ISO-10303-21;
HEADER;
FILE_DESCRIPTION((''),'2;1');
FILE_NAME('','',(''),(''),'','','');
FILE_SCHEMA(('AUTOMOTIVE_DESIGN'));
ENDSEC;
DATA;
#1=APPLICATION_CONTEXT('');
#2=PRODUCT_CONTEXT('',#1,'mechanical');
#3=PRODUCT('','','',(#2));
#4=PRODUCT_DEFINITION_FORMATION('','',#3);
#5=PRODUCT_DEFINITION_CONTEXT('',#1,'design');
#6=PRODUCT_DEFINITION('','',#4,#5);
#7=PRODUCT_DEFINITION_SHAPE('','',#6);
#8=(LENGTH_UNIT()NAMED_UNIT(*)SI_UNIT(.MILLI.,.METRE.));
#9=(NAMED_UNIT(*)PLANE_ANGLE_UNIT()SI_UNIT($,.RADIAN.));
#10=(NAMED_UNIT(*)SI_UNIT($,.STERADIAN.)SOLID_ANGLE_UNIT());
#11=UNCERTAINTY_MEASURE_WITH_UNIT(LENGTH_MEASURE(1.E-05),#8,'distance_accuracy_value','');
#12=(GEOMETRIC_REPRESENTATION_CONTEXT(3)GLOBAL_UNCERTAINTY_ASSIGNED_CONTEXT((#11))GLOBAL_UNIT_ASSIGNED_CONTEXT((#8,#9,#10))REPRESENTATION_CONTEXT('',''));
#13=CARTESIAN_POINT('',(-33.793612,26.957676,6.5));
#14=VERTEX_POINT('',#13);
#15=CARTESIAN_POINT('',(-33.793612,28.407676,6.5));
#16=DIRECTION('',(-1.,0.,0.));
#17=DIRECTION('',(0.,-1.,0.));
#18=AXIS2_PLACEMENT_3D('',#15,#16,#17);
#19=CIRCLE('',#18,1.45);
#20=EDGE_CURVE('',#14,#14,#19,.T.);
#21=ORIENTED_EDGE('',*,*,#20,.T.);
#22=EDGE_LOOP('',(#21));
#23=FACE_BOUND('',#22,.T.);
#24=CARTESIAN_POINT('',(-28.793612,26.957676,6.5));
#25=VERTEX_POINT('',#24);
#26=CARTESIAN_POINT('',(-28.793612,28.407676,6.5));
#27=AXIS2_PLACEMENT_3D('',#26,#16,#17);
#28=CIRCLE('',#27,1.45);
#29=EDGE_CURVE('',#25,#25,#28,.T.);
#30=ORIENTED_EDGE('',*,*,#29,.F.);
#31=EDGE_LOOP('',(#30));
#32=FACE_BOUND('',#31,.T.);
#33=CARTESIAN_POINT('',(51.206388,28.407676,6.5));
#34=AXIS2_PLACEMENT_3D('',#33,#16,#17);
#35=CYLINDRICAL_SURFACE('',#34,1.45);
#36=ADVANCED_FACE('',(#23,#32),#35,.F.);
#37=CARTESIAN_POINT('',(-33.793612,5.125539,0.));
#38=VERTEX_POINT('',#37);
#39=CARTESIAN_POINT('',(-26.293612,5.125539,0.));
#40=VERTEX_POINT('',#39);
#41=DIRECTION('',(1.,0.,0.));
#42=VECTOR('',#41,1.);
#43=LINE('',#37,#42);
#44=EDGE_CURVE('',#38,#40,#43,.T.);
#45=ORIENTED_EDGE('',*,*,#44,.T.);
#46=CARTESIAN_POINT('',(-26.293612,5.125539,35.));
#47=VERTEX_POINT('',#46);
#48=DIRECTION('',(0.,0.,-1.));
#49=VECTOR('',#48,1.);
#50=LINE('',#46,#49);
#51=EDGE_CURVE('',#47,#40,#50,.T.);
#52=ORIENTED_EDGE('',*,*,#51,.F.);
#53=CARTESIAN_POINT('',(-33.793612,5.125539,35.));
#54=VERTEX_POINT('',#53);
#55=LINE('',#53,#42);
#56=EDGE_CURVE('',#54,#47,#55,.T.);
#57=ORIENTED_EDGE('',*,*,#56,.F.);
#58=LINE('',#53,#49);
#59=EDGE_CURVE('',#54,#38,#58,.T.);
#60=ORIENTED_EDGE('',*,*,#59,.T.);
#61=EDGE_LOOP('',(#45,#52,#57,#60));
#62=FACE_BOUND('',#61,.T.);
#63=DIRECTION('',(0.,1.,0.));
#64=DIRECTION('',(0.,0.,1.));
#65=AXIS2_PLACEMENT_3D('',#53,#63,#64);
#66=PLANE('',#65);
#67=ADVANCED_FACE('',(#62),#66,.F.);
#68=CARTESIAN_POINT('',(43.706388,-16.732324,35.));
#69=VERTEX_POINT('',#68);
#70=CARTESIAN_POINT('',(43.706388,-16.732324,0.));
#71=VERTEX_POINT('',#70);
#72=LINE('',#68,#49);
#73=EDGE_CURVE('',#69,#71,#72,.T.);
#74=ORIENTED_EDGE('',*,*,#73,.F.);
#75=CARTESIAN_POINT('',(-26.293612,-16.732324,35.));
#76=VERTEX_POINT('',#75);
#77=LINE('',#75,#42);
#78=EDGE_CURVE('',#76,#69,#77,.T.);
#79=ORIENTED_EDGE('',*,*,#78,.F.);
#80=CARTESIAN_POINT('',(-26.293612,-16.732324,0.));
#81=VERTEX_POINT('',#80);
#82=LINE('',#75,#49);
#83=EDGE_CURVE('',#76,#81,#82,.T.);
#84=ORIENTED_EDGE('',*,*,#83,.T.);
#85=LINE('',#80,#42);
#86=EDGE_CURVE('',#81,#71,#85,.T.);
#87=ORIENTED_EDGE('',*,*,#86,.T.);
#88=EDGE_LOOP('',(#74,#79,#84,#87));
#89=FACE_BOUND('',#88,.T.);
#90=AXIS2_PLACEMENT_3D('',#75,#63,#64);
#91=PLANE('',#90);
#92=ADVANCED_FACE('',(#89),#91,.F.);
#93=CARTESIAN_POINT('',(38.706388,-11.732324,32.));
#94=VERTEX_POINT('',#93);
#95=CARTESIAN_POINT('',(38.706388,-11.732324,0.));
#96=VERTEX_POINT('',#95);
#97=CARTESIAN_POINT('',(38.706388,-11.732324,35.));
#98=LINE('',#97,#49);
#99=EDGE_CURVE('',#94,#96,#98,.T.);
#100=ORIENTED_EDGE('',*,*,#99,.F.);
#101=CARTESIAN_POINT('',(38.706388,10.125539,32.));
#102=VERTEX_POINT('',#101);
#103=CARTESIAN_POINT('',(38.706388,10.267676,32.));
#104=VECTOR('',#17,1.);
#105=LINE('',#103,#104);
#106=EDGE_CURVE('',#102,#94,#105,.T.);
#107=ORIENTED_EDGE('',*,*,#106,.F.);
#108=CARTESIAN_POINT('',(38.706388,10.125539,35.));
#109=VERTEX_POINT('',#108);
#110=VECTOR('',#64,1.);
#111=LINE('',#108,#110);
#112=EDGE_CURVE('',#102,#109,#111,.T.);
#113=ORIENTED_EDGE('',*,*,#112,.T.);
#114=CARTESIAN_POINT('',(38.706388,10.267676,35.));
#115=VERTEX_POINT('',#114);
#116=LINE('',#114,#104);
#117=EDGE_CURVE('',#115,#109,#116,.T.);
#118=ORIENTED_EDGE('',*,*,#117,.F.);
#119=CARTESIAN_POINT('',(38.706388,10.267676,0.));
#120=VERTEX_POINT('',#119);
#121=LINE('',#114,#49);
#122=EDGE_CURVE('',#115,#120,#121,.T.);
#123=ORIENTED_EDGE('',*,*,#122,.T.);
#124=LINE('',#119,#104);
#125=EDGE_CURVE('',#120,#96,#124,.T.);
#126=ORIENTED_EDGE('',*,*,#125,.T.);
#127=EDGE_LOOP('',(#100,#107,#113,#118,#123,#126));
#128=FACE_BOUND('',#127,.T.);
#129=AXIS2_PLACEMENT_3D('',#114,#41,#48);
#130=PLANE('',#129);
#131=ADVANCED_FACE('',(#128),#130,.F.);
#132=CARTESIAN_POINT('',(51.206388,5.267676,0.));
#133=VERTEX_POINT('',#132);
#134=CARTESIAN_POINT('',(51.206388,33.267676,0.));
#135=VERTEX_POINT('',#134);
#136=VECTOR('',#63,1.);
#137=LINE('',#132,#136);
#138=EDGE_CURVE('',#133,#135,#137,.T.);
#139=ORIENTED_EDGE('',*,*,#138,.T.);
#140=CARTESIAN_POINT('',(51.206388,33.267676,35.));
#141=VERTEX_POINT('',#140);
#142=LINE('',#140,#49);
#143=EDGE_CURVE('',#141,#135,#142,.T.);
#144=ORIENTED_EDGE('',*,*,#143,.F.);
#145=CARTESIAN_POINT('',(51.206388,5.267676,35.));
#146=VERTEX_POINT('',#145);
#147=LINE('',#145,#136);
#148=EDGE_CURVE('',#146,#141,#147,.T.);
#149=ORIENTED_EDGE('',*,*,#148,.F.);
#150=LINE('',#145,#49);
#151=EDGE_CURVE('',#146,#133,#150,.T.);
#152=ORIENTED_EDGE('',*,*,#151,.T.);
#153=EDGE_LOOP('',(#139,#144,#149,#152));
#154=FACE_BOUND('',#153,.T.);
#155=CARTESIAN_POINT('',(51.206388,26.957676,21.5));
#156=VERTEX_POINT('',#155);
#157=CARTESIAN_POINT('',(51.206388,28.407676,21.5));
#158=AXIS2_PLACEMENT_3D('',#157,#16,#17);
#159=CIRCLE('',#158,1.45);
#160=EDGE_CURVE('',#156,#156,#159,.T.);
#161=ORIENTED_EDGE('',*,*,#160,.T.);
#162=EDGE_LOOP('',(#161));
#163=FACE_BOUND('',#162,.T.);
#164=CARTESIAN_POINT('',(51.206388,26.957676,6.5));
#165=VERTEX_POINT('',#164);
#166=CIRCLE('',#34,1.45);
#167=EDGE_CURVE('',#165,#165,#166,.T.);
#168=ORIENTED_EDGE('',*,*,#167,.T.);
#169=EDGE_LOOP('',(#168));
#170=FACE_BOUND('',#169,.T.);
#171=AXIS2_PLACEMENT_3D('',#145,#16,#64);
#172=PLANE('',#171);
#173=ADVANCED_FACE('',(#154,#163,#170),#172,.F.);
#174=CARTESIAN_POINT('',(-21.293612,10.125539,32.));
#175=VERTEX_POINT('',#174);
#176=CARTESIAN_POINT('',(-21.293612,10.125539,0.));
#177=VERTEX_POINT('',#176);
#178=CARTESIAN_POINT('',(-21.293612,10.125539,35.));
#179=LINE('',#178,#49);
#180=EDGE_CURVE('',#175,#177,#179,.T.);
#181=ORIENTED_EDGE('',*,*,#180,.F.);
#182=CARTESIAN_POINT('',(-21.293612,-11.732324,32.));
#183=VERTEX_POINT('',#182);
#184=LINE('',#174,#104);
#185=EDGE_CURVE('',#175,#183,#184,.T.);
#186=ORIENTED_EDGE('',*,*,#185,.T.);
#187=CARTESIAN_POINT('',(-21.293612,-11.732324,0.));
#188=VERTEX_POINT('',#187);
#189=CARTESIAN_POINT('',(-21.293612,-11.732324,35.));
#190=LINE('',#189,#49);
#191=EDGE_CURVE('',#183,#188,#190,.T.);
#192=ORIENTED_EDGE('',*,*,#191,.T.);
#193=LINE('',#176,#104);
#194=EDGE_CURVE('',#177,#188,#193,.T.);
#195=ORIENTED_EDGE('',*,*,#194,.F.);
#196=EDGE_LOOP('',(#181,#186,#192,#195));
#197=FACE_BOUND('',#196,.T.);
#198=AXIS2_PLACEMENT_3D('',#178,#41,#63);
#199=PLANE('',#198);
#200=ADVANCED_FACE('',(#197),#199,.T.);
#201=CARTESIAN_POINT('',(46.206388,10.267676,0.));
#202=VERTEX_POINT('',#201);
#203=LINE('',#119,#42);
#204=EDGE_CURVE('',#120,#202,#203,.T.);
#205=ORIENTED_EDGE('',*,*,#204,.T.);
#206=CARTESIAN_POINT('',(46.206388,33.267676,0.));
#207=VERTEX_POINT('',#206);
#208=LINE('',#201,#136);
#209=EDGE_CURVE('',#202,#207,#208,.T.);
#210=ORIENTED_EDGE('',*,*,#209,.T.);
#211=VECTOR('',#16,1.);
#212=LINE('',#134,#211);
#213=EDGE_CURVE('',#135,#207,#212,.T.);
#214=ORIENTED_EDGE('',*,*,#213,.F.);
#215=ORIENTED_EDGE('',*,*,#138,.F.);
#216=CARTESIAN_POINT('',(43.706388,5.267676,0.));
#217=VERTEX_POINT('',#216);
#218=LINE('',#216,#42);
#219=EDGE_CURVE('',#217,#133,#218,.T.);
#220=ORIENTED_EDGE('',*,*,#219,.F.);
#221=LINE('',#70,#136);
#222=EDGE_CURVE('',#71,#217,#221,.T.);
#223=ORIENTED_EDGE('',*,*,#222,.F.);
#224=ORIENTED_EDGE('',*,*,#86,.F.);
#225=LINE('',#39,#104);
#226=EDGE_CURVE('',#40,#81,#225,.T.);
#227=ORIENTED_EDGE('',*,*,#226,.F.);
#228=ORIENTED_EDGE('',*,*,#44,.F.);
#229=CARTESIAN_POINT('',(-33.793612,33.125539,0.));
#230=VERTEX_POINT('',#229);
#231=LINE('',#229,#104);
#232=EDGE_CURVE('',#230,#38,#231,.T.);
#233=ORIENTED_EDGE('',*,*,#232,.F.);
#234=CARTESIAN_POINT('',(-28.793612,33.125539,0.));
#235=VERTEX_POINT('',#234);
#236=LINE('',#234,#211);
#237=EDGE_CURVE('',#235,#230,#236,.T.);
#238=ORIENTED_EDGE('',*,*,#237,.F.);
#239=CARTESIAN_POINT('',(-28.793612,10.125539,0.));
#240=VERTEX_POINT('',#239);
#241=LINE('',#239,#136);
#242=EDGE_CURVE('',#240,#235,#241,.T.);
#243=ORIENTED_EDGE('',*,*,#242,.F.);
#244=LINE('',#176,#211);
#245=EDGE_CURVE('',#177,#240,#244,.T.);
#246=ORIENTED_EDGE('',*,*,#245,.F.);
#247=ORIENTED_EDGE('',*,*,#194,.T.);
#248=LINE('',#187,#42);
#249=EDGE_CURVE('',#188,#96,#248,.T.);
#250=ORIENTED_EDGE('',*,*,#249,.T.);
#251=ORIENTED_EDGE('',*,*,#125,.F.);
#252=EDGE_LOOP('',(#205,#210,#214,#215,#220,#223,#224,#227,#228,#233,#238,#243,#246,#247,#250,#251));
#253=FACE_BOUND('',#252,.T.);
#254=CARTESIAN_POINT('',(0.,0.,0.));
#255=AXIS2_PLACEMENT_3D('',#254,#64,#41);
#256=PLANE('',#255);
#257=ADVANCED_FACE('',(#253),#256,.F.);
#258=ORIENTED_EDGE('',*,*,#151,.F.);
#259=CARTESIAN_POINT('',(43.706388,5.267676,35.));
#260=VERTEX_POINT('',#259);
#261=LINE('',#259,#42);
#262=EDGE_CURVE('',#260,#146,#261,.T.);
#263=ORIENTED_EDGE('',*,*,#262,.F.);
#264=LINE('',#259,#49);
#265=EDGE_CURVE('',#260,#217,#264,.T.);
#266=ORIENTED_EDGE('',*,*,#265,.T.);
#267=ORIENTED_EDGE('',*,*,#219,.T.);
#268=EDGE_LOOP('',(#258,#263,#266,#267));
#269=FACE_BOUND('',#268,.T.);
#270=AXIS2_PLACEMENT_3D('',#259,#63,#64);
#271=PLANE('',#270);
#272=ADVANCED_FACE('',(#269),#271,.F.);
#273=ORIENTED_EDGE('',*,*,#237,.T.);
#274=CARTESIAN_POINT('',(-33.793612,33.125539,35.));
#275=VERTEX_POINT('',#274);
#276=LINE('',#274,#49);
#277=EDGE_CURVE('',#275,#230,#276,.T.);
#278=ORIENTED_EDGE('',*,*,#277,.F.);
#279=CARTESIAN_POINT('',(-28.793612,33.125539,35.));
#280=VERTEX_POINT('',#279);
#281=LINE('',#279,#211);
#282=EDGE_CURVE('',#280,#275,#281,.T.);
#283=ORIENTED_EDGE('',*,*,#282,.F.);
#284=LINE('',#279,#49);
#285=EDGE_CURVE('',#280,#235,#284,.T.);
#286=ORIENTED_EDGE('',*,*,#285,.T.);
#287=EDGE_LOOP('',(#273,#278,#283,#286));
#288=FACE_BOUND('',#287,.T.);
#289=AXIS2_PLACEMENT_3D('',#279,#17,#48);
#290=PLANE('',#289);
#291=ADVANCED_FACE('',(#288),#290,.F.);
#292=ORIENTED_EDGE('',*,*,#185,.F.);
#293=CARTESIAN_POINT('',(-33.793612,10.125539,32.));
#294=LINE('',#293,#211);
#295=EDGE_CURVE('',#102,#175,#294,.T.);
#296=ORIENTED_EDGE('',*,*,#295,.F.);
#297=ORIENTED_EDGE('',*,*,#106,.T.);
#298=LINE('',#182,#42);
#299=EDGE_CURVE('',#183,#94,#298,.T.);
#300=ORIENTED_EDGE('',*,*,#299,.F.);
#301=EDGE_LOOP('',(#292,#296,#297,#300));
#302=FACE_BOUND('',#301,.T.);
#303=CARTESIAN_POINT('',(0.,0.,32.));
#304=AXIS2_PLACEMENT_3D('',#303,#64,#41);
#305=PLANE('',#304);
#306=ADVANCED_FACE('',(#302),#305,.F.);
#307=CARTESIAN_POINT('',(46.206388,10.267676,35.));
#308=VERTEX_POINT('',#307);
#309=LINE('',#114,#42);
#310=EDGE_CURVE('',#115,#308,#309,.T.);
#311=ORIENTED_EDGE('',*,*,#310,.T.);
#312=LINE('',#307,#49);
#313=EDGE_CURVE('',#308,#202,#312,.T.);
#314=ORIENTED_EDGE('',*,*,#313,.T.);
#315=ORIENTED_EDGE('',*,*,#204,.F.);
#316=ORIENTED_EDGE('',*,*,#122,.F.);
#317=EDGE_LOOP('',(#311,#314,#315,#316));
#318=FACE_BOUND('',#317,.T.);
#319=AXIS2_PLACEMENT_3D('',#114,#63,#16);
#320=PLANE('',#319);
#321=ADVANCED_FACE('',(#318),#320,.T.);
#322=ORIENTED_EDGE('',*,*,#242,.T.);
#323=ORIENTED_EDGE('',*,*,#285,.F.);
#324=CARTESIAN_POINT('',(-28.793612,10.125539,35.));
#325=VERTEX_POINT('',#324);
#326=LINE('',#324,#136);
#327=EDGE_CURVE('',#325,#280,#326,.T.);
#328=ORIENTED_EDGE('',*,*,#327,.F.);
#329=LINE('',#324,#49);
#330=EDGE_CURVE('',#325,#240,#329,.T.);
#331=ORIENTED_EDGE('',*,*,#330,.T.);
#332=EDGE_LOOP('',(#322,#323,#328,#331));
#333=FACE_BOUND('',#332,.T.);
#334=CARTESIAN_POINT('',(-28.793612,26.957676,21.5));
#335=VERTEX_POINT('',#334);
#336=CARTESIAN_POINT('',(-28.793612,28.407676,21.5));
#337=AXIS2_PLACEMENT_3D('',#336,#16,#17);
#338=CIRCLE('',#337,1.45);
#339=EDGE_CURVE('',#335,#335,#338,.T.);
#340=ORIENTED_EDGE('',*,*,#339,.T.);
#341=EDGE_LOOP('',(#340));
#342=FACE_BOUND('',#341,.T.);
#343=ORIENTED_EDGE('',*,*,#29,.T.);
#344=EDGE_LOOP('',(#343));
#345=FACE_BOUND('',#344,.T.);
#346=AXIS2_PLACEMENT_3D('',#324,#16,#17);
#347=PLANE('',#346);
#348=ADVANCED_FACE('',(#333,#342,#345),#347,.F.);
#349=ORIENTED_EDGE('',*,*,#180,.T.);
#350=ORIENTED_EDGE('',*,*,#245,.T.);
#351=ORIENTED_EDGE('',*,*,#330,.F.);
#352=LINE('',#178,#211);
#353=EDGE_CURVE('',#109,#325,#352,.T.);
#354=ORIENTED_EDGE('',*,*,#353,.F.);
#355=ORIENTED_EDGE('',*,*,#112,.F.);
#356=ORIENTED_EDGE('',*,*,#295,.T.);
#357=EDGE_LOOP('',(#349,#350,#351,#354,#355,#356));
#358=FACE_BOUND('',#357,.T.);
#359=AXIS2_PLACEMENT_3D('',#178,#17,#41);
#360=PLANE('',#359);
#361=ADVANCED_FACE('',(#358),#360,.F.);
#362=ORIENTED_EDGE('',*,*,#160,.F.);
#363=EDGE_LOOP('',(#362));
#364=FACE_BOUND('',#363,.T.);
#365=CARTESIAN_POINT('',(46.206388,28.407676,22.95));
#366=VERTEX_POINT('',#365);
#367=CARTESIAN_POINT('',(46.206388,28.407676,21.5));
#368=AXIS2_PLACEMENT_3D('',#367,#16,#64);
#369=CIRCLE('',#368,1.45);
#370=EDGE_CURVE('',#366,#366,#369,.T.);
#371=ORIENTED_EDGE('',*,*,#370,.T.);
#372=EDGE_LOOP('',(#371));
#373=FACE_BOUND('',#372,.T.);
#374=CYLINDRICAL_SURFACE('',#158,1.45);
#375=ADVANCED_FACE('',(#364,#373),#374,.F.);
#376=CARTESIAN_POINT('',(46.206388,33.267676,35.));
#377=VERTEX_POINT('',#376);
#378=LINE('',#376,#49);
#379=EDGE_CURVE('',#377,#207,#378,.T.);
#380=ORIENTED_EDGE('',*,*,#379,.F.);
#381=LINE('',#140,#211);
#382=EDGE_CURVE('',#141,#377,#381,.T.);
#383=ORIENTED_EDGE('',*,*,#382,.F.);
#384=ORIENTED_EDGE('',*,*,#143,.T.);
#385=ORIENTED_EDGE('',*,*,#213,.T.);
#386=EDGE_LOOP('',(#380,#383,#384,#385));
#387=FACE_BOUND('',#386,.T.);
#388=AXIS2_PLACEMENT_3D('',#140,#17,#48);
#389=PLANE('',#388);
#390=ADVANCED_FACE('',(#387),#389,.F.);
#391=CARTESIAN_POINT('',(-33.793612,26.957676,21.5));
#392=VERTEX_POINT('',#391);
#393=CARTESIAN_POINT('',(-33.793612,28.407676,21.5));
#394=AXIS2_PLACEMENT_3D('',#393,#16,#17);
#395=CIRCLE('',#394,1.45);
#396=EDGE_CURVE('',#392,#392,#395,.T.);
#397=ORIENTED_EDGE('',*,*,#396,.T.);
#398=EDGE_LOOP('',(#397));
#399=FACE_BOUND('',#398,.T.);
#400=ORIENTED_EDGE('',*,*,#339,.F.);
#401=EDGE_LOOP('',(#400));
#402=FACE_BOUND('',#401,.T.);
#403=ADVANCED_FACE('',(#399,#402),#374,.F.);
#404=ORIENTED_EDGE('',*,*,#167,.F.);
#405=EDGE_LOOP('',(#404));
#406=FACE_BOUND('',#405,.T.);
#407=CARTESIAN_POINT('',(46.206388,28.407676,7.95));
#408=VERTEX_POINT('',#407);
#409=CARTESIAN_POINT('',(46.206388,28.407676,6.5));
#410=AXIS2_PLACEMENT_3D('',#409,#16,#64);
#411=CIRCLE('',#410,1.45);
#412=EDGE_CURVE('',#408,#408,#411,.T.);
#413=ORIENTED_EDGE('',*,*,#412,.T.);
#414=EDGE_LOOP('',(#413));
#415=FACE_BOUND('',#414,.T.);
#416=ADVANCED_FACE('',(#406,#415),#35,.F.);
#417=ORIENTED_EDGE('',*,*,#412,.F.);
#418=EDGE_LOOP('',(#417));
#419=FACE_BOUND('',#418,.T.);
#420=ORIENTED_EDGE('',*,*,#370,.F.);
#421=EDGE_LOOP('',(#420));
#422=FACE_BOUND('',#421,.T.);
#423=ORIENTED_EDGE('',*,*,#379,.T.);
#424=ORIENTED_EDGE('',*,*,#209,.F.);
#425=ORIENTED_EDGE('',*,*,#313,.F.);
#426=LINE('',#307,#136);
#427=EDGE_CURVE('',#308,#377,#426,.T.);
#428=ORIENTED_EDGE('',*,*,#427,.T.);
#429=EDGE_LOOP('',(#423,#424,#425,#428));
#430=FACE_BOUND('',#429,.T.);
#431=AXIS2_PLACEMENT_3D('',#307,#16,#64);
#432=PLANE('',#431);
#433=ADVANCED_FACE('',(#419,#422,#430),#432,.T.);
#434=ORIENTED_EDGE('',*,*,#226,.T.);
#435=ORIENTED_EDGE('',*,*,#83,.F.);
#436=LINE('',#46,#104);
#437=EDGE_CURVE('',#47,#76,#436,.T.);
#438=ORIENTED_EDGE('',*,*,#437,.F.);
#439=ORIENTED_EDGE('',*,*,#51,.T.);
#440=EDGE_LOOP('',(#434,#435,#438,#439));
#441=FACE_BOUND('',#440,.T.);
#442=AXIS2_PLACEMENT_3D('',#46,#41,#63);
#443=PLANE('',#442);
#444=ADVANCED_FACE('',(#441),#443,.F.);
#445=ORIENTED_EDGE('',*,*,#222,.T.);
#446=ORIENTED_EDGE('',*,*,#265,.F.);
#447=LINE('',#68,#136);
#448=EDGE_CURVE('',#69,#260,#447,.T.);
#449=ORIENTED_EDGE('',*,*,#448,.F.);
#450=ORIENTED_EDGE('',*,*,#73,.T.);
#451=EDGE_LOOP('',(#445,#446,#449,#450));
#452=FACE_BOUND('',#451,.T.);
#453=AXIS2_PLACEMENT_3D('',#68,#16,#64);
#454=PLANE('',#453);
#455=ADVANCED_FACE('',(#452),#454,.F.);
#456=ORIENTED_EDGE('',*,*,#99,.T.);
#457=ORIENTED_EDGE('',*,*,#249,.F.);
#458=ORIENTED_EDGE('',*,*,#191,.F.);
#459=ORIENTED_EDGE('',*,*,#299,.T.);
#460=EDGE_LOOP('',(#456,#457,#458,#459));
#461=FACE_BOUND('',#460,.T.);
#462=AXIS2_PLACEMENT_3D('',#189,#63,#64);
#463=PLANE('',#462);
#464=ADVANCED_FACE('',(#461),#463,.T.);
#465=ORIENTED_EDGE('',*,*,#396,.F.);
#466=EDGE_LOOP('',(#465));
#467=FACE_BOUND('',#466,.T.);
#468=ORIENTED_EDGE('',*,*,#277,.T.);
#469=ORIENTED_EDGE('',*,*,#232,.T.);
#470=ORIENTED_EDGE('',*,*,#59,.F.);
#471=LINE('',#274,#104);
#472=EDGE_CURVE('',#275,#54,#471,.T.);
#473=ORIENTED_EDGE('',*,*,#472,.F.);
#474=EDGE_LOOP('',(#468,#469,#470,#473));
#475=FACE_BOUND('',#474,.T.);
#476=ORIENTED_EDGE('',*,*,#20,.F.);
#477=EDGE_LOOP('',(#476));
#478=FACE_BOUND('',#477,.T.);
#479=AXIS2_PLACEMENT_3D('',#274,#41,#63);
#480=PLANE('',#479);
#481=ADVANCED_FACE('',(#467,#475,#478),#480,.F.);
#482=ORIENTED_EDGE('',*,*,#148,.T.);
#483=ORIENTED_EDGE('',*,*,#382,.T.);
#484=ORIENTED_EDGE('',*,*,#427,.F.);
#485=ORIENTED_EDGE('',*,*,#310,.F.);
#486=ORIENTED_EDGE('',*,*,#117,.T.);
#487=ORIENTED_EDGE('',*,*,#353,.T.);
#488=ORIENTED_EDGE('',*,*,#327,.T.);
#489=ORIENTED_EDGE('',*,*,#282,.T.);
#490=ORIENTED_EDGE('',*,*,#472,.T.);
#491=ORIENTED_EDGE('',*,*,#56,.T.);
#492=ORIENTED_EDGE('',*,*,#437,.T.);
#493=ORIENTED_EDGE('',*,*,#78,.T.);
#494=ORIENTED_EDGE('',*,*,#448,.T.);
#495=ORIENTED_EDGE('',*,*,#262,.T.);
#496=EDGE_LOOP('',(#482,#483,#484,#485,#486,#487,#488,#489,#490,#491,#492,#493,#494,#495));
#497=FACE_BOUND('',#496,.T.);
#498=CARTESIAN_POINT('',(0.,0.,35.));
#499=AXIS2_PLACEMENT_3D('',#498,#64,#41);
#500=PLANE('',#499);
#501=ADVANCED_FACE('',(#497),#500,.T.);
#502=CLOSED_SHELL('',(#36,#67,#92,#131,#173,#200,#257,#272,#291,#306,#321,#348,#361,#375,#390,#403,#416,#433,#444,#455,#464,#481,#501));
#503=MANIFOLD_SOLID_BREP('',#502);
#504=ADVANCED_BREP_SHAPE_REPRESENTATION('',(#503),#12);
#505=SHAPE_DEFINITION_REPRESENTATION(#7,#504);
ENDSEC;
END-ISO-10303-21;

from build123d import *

# Parameters (mm, degrees)
EXTRUDE_1_DEPTH     = 35
EXTRUDE_2_DEPTH     = 3
SKETCH_3_R          = 1.45
CUT_EXTRUDE_1_DEPTH = 98.758571233


with BuildPart() as part:
    # 草圖1 → 填料-伸長1 (new body)
    with BuildSketch(Plane.XY):
        Polygon((-21.293611747, 10.125539125), (-28.793611747, 10.125539125), (-28.793611747, 33.125539125), (-33.793611747, 33.125539125), (-33.793611747, 5.125539125), (-26.293611747, 5.125539125), (-26.293611747, -16.732324255), (43.706388253, -16.732324255), (43.706388253, 5.267675745), (51.206388253, 5.267675745), (51.206388253, 33.267675745), (46.206388253, 33.267675745), (46.206388253, 10.267675745), (38.706388253, 10.267675745), (38.706388253, -11.732324255), (-21.293611747, -11.732324255), align=None)
    extrude(amount=EXTRUDE_1_DEPTH)

    # 草圖2 → 填料-伸長2 (add)
    with BuildSketch(Plane.XY.offset(35)):
        Polygon((51.206388253, 10.125539125), (51.206388253, 5.267675745), (43.706388253, 5.267675745), (43.706388253, -16.732324255), (-26.293611747, -16.732324255), (-26.293611747, 5.125539125), (-33.793611747, 5.125539125), (-33.793611747, 10.125539125), align=None)
    extrude(amount=-EXTRUDE_2_DEPTH)

    # 草圖3 → 除料-伸長1 (cut, through all)
    with BuildSketch(Plane.ZY.offset(33.793611747)):
        with Locations(Location((6.5, 28.407675745, 0), (0, 0, 270))):
            Circle(SKETCH_3_R)
        with Locations(Location((21.5, 28.407675745, 0), (0, 0, 270))):
            Circle(SKETCH_3_R)
    extrude(amount=-CUT_EXTRUDE_1_DEPTH, mode=Mode.SUBTRACT)


solid = part.part
